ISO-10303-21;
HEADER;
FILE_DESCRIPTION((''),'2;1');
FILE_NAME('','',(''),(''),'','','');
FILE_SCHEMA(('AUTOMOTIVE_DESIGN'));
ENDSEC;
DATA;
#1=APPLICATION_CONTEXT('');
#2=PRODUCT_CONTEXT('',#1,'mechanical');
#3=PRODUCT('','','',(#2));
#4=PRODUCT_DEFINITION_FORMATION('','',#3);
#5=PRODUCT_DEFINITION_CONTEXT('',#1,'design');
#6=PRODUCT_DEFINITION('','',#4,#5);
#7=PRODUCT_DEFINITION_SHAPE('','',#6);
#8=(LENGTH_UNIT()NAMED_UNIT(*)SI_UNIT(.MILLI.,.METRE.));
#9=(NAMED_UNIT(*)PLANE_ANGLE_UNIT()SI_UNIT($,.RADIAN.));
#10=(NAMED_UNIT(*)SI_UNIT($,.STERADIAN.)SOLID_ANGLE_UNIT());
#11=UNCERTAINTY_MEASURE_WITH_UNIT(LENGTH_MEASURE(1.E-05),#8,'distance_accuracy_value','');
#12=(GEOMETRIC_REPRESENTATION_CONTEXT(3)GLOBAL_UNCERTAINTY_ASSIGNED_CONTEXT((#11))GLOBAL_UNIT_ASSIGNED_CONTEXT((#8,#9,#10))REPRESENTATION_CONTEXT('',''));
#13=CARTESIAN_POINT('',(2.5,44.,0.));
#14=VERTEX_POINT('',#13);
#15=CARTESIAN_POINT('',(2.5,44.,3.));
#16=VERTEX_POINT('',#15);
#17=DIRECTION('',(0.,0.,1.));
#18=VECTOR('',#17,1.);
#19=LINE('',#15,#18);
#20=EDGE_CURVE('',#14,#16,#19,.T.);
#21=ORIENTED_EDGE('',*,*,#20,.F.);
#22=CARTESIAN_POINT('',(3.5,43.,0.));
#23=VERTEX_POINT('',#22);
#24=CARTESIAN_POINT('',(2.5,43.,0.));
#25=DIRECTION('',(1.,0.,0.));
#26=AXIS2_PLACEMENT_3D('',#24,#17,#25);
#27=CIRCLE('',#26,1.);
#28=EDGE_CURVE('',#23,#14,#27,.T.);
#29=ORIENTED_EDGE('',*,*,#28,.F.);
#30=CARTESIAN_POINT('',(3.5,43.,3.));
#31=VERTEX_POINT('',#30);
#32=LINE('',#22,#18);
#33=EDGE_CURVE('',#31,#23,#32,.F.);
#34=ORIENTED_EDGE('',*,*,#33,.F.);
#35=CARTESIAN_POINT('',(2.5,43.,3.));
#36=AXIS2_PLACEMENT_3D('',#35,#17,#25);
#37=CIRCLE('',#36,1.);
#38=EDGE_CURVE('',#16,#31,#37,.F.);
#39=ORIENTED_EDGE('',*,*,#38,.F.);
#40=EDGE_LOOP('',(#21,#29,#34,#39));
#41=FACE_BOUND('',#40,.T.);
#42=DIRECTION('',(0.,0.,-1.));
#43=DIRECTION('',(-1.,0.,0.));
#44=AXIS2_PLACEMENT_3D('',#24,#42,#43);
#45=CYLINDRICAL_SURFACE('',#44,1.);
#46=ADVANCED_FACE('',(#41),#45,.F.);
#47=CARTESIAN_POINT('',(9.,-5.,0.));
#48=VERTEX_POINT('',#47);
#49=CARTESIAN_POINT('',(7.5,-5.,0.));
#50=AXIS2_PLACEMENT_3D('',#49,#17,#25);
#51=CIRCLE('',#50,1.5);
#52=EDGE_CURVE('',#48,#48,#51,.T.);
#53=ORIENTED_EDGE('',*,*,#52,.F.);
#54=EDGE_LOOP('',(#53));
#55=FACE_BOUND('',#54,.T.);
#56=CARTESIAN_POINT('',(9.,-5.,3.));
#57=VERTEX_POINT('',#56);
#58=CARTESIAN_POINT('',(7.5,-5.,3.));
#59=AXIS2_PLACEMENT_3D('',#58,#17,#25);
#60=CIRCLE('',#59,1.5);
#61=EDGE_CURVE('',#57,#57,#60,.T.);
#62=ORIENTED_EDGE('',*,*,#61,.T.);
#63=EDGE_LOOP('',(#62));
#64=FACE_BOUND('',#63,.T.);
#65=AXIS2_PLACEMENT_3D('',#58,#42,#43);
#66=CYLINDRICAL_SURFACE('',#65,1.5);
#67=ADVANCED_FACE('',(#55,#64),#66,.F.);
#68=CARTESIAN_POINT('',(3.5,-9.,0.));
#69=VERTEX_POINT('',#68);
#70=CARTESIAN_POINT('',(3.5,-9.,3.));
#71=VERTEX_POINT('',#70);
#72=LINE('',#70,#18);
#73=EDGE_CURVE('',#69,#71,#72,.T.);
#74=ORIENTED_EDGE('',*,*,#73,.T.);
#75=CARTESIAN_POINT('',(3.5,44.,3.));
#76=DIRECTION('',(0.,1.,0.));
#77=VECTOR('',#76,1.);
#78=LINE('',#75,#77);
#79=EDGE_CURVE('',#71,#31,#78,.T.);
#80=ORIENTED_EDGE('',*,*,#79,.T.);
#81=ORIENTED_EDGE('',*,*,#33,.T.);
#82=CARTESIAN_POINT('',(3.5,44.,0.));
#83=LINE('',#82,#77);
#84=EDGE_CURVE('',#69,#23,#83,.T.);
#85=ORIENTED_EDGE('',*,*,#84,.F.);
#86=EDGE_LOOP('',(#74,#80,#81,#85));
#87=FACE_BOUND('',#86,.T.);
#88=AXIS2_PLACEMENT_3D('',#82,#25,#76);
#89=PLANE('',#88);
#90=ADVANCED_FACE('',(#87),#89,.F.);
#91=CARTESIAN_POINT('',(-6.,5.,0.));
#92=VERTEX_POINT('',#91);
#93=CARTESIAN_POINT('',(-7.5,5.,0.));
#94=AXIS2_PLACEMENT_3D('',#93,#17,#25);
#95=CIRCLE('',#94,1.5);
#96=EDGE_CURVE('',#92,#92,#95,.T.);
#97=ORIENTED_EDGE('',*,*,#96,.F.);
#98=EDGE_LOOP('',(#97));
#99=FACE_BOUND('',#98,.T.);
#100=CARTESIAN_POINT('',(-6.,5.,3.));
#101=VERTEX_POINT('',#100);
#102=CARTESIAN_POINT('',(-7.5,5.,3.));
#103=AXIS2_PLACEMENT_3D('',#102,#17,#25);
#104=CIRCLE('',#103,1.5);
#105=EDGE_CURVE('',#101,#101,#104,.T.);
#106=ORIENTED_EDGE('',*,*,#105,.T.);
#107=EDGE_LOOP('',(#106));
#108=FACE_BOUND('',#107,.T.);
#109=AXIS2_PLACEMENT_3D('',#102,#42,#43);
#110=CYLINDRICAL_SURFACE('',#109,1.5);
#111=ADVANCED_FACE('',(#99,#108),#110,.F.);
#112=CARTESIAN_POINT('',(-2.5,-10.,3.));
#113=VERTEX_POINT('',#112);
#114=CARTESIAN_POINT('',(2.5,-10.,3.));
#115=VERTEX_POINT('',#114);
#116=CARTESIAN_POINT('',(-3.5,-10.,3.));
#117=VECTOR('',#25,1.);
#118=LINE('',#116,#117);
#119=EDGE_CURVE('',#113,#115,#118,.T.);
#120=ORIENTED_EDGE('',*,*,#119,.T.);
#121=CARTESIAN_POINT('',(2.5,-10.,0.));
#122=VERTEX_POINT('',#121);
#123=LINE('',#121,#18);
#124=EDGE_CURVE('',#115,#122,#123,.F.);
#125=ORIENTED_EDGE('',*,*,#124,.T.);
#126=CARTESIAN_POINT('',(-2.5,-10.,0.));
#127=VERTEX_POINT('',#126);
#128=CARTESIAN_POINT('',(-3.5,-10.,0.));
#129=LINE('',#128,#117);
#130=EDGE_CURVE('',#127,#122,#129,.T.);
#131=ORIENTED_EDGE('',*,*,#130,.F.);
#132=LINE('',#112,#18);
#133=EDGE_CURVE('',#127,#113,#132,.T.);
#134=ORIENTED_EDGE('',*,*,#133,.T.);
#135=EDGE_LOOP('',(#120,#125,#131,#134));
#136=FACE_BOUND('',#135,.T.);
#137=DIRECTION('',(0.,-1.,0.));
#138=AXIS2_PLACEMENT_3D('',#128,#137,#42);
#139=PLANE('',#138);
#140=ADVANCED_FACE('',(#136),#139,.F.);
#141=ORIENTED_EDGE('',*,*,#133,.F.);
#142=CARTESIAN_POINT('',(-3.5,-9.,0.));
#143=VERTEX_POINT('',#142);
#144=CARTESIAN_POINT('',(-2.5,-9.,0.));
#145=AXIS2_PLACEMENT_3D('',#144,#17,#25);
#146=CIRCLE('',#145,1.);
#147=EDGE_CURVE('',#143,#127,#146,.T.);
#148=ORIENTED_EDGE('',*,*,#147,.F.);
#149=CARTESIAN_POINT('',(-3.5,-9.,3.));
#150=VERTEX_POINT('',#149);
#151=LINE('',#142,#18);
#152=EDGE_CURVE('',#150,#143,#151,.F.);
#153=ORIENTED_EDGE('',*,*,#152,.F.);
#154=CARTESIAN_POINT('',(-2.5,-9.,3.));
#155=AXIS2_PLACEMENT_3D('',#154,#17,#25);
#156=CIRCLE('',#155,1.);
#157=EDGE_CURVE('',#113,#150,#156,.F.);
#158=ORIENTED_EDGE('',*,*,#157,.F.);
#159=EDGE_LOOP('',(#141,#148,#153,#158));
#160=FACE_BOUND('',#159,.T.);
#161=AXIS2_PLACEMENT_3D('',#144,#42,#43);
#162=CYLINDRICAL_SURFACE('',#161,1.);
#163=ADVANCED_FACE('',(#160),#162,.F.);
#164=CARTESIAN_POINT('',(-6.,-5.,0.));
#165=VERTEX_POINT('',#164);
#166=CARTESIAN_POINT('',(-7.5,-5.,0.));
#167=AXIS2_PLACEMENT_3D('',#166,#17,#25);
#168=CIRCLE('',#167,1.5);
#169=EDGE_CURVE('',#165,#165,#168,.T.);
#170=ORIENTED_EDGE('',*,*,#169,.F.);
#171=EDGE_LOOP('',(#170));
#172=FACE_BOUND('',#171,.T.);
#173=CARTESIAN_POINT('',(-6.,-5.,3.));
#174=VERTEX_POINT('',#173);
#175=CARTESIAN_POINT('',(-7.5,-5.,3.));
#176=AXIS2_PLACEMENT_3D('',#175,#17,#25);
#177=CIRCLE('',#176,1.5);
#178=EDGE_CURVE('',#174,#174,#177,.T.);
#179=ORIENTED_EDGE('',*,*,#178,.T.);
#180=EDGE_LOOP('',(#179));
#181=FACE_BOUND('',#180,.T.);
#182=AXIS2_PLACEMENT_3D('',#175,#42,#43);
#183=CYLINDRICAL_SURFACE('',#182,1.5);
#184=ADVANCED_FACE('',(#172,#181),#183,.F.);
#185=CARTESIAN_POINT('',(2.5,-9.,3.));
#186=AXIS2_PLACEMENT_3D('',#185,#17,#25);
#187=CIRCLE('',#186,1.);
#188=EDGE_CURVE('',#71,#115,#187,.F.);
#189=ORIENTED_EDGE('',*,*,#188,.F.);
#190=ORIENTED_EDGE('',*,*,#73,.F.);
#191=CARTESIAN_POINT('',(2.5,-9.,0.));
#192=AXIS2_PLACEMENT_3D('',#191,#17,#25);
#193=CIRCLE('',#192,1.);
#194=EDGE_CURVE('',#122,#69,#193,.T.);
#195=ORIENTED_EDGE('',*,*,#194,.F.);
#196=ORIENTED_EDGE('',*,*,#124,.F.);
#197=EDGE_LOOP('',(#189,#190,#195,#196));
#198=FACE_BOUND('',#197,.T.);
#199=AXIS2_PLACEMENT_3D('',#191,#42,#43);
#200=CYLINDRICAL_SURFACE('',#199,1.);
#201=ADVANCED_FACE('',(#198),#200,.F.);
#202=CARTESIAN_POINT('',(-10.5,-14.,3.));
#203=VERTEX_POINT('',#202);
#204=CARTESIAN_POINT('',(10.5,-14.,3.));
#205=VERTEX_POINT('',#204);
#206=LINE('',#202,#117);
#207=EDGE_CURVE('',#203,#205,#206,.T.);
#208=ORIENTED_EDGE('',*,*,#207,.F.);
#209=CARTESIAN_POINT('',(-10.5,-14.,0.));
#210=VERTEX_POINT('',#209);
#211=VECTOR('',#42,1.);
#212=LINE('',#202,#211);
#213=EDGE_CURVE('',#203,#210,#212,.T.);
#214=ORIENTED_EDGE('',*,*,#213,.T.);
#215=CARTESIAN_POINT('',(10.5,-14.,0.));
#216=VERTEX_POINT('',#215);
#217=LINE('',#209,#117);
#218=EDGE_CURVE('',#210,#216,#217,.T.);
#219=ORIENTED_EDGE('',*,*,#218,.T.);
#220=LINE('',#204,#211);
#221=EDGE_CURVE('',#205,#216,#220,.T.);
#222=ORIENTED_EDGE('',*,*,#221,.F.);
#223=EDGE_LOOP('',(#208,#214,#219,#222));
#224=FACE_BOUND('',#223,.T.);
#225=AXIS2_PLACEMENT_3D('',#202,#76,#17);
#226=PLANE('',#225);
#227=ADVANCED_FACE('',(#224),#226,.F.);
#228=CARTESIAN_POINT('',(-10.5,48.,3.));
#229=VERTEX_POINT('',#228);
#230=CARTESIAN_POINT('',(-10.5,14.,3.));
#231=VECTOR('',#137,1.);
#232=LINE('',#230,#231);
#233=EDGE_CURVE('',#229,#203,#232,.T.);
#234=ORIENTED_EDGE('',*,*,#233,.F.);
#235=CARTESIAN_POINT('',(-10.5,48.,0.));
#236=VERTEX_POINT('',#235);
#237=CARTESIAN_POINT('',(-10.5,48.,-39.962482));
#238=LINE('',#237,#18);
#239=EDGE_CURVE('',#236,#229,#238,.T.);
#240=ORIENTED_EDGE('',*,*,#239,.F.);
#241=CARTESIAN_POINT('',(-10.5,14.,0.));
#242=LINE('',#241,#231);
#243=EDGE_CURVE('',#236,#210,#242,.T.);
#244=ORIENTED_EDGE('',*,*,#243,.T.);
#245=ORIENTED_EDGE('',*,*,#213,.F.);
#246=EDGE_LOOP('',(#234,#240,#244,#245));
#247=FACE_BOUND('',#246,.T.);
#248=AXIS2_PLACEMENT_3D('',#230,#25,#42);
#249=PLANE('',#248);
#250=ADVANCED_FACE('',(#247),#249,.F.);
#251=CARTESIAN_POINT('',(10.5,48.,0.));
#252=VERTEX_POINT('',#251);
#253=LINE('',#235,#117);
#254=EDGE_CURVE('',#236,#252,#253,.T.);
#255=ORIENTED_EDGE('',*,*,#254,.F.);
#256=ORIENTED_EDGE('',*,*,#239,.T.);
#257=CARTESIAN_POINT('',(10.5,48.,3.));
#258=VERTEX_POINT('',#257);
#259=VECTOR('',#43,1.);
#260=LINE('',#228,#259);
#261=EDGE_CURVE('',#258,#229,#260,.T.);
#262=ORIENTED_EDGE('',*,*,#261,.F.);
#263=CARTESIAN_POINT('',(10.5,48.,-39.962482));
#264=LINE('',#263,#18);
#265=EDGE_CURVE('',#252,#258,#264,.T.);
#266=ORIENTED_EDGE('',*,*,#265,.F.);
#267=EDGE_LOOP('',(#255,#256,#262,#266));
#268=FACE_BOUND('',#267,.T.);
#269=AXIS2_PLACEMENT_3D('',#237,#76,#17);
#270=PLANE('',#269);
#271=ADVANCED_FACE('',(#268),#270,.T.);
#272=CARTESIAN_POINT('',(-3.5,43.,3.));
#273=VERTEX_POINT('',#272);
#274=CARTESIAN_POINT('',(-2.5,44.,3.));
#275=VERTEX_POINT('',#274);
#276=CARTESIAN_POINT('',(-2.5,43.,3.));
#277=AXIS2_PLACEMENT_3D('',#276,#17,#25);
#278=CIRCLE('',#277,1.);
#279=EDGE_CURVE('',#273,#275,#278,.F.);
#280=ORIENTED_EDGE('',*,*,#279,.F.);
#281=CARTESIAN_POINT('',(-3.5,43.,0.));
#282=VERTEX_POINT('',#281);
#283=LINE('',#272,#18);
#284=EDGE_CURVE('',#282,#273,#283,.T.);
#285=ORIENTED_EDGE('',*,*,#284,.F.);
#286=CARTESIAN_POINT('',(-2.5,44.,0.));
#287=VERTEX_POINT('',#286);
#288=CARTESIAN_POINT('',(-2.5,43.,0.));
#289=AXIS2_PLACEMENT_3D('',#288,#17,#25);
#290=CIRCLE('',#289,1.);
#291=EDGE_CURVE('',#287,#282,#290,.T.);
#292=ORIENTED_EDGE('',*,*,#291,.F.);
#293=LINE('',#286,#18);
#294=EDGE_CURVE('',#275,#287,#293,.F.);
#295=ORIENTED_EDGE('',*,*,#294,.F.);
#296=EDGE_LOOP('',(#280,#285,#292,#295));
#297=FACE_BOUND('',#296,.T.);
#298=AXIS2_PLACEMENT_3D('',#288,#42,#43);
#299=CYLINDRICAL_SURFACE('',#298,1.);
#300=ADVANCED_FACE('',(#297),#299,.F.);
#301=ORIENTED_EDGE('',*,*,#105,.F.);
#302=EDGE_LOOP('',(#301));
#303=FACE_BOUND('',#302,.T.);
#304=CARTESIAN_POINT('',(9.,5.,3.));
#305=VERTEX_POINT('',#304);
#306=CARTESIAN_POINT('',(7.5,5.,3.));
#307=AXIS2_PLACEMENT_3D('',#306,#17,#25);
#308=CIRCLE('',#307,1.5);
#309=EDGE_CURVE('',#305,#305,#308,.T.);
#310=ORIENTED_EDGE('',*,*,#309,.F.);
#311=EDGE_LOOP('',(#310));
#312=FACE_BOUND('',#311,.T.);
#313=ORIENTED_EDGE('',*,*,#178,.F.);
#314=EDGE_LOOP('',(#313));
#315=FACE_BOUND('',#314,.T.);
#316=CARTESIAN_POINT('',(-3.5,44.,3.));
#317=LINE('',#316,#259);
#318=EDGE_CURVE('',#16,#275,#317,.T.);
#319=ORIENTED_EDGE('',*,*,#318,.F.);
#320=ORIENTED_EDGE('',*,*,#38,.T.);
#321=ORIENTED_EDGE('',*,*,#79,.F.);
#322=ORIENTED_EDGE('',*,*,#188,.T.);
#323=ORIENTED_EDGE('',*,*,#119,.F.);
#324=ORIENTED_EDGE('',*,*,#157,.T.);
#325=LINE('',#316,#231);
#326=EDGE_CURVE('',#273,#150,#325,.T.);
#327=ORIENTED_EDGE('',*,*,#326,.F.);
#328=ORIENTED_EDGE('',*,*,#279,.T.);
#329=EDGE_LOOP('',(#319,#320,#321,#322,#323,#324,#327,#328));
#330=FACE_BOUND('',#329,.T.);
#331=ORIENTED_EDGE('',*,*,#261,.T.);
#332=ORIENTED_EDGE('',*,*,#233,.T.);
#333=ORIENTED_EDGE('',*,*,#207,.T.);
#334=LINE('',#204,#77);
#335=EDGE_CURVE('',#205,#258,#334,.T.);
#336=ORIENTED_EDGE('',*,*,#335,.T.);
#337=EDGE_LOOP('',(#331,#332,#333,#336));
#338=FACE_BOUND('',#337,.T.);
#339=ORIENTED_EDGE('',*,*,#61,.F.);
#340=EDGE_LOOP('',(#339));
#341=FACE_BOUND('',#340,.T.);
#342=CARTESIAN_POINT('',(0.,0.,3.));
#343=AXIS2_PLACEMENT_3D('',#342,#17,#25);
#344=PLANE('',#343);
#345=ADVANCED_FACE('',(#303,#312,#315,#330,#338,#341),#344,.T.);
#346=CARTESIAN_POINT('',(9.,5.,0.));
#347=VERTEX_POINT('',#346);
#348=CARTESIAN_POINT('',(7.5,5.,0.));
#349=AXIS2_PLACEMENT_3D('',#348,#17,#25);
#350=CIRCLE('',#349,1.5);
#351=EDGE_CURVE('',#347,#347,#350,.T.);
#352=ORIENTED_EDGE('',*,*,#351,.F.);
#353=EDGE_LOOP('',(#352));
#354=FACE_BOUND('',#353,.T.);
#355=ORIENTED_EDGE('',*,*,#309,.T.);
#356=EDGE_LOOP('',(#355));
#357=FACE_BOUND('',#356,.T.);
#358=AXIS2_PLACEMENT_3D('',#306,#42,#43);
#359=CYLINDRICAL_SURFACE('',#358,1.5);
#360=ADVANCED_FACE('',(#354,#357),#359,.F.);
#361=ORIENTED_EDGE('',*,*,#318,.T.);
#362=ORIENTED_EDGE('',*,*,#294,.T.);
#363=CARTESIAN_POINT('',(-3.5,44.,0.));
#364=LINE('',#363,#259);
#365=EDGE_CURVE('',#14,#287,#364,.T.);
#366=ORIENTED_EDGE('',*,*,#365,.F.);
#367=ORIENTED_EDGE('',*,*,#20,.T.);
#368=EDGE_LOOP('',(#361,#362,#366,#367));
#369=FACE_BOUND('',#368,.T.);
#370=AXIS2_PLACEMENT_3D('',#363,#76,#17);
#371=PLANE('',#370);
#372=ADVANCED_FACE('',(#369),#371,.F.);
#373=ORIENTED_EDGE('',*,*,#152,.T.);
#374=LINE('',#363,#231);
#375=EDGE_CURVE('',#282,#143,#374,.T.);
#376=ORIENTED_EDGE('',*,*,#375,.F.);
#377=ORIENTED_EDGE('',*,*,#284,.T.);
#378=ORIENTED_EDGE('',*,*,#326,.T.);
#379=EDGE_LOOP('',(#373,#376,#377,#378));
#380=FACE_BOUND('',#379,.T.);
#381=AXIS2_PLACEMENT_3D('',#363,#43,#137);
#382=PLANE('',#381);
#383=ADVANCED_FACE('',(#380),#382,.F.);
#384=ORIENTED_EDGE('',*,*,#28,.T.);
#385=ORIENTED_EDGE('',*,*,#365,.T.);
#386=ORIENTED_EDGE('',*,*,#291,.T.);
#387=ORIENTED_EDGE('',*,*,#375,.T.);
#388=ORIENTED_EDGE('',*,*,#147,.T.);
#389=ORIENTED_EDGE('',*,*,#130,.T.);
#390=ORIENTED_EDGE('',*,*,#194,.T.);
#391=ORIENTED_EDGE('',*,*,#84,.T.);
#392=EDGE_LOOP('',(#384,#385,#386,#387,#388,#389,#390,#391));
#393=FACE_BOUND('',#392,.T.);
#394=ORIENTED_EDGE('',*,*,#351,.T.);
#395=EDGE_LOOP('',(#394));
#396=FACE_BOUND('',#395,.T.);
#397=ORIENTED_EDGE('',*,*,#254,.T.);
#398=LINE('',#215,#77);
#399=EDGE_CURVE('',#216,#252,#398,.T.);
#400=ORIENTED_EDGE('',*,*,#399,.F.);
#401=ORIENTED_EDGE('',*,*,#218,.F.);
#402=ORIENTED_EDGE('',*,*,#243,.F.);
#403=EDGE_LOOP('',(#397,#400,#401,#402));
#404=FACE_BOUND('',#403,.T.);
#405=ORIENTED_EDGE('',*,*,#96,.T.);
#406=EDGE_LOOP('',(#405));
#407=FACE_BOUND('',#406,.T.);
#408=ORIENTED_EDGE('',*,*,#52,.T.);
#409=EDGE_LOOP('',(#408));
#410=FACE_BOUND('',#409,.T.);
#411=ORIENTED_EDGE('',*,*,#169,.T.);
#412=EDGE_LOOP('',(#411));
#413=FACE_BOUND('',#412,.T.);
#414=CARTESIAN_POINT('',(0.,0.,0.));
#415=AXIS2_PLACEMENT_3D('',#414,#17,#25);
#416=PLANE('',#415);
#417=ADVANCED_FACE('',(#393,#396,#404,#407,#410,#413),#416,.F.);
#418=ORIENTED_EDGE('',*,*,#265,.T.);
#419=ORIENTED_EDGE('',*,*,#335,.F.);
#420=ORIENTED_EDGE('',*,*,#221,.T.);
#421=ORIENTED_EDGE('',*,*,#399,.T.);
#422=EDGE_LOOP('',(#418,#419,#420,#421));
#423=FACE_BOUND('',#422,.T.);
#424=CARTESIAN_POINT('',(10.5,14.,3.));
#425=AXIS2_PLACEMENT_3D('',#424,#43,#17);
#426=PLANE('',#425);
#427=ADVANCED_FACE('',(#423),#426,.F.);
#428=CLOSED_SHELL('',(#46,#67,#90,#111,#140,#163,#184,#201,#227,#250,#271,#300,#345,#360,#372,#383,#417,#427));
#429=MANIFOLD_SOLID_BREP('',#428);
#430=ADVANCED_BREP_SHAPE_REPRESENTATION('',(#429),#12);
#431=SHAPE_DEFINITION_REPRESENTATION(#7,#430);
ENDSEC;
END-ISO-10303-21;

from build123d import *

# Parameters (mm, degrees)
SKETCH_1_R          = 1.5
EXTRUDE_1_DEPTH     = 3
FILLET_1_R          = 2
SKETCH_3_W          = 25.138692766
SKETCH_3_H          = 29.703861026
CUT_EXTRUDE_1_DEPTH = 38.353045391
SKETCH_4_W          = 21
SKETCH_4_H          = 34
EXTRUDE_2_DEPTH     = 3
SKETCH_5_W          = 7
SKETCH_5_H          = 54
CUT_EXTRUDE_2_DEPTH = 50.226517244
FILLET_2_R          = 1


with BuildPart() as part:
    # 草图1 → 凸台-拉伸1 (new body)
    with BuildSketch(Plane.XY):
        Polygon((-10.5, 14), (10.5, 14), (10.5, 4), (34.5, 4), (34.5, -4), (10.5, -4), (10.5, -14), (-10.5, -14), align=None)
        with Locations((-7.5, 5)):
            Circle(SKETCH_1_R, mode=Mode.SUBTRACT)
        with Locations((7.5, 5)):
            Circle(SKETCH_1_R, mode=Mode.SUBTRACT)
        with Locations((-7.5, -5)):
            Circle(SKETCH_1_R, mode=Mode.SUBTRACT)
        with Locations((7.5, -5)):
            Circle(SKETCH_1_R, mode=Mode.SUBTRACT)
        with Locations((16.5, 0)):
            Circle(SKETCH_1_R, mode=Mode.SUBTRACT)
        with Locations((31.5, 0)):
            Circle(SKETCH_1_R, mode=Mode.SUBTRACT)
    extrude(amount=EXTRUDE_1_DEPTH)

    # 圆角1
    fillet_1_edges = [part.edges().sort_by_distance(p)[0] for p in [
        (10.5, 4, 1.5),
        (10.5, -4, 1.5),
    ]]
    fillet(fillet_1_edges, radius=FILLET_1_R)

    # 草图3 → 切除-拉伸1 (cut, through all)
    with BuildSketch(Plane.XY.offset(3)):
        with Locations((23.069346383, -0.851930513)):
            Rectangle(SKETCH_3_W, SKETCH_3_H)
    extrude(amount=-CUT_EXTRUDE_1_DEPTH, mode=Mode.SUBTRACT)

    # 草图4 → 凸台-拉伸2 (add)
    with BuildSketch(Plane.XY.offset(3)):
        with Locations((0, 31)):
            Rectangle(SKETCH_4_W, SKETCH_4_H)
    extrude(amount=-EXTRUDE_2_DEPTH)

    # 草图5 → 切除-拉伸2 (cut, through all)
    with BuildSketch(Plane.XY.offset(3)):
        with Locations((0, 17)):
            Rectangle(SKETCH_5_W, SKETCH_5_H)
    extrude(amount=-CUT_EXTRUDE_2_DEPTH, mode=Mode.SUBTRACT)

    # 圆角2
    fillet_2_edges = [part.edges().sort_by_distance(p)[0] for p in [
        (-3.5, -10, 1.5),
        (-3.5, 44, 1.5),
        (3.5, 44, 1.5),
        (3.5, -10, 1.5),
    ]]
    fillet(fillet_2_edges, radius=FILLET_2_R)


solid = part.part
